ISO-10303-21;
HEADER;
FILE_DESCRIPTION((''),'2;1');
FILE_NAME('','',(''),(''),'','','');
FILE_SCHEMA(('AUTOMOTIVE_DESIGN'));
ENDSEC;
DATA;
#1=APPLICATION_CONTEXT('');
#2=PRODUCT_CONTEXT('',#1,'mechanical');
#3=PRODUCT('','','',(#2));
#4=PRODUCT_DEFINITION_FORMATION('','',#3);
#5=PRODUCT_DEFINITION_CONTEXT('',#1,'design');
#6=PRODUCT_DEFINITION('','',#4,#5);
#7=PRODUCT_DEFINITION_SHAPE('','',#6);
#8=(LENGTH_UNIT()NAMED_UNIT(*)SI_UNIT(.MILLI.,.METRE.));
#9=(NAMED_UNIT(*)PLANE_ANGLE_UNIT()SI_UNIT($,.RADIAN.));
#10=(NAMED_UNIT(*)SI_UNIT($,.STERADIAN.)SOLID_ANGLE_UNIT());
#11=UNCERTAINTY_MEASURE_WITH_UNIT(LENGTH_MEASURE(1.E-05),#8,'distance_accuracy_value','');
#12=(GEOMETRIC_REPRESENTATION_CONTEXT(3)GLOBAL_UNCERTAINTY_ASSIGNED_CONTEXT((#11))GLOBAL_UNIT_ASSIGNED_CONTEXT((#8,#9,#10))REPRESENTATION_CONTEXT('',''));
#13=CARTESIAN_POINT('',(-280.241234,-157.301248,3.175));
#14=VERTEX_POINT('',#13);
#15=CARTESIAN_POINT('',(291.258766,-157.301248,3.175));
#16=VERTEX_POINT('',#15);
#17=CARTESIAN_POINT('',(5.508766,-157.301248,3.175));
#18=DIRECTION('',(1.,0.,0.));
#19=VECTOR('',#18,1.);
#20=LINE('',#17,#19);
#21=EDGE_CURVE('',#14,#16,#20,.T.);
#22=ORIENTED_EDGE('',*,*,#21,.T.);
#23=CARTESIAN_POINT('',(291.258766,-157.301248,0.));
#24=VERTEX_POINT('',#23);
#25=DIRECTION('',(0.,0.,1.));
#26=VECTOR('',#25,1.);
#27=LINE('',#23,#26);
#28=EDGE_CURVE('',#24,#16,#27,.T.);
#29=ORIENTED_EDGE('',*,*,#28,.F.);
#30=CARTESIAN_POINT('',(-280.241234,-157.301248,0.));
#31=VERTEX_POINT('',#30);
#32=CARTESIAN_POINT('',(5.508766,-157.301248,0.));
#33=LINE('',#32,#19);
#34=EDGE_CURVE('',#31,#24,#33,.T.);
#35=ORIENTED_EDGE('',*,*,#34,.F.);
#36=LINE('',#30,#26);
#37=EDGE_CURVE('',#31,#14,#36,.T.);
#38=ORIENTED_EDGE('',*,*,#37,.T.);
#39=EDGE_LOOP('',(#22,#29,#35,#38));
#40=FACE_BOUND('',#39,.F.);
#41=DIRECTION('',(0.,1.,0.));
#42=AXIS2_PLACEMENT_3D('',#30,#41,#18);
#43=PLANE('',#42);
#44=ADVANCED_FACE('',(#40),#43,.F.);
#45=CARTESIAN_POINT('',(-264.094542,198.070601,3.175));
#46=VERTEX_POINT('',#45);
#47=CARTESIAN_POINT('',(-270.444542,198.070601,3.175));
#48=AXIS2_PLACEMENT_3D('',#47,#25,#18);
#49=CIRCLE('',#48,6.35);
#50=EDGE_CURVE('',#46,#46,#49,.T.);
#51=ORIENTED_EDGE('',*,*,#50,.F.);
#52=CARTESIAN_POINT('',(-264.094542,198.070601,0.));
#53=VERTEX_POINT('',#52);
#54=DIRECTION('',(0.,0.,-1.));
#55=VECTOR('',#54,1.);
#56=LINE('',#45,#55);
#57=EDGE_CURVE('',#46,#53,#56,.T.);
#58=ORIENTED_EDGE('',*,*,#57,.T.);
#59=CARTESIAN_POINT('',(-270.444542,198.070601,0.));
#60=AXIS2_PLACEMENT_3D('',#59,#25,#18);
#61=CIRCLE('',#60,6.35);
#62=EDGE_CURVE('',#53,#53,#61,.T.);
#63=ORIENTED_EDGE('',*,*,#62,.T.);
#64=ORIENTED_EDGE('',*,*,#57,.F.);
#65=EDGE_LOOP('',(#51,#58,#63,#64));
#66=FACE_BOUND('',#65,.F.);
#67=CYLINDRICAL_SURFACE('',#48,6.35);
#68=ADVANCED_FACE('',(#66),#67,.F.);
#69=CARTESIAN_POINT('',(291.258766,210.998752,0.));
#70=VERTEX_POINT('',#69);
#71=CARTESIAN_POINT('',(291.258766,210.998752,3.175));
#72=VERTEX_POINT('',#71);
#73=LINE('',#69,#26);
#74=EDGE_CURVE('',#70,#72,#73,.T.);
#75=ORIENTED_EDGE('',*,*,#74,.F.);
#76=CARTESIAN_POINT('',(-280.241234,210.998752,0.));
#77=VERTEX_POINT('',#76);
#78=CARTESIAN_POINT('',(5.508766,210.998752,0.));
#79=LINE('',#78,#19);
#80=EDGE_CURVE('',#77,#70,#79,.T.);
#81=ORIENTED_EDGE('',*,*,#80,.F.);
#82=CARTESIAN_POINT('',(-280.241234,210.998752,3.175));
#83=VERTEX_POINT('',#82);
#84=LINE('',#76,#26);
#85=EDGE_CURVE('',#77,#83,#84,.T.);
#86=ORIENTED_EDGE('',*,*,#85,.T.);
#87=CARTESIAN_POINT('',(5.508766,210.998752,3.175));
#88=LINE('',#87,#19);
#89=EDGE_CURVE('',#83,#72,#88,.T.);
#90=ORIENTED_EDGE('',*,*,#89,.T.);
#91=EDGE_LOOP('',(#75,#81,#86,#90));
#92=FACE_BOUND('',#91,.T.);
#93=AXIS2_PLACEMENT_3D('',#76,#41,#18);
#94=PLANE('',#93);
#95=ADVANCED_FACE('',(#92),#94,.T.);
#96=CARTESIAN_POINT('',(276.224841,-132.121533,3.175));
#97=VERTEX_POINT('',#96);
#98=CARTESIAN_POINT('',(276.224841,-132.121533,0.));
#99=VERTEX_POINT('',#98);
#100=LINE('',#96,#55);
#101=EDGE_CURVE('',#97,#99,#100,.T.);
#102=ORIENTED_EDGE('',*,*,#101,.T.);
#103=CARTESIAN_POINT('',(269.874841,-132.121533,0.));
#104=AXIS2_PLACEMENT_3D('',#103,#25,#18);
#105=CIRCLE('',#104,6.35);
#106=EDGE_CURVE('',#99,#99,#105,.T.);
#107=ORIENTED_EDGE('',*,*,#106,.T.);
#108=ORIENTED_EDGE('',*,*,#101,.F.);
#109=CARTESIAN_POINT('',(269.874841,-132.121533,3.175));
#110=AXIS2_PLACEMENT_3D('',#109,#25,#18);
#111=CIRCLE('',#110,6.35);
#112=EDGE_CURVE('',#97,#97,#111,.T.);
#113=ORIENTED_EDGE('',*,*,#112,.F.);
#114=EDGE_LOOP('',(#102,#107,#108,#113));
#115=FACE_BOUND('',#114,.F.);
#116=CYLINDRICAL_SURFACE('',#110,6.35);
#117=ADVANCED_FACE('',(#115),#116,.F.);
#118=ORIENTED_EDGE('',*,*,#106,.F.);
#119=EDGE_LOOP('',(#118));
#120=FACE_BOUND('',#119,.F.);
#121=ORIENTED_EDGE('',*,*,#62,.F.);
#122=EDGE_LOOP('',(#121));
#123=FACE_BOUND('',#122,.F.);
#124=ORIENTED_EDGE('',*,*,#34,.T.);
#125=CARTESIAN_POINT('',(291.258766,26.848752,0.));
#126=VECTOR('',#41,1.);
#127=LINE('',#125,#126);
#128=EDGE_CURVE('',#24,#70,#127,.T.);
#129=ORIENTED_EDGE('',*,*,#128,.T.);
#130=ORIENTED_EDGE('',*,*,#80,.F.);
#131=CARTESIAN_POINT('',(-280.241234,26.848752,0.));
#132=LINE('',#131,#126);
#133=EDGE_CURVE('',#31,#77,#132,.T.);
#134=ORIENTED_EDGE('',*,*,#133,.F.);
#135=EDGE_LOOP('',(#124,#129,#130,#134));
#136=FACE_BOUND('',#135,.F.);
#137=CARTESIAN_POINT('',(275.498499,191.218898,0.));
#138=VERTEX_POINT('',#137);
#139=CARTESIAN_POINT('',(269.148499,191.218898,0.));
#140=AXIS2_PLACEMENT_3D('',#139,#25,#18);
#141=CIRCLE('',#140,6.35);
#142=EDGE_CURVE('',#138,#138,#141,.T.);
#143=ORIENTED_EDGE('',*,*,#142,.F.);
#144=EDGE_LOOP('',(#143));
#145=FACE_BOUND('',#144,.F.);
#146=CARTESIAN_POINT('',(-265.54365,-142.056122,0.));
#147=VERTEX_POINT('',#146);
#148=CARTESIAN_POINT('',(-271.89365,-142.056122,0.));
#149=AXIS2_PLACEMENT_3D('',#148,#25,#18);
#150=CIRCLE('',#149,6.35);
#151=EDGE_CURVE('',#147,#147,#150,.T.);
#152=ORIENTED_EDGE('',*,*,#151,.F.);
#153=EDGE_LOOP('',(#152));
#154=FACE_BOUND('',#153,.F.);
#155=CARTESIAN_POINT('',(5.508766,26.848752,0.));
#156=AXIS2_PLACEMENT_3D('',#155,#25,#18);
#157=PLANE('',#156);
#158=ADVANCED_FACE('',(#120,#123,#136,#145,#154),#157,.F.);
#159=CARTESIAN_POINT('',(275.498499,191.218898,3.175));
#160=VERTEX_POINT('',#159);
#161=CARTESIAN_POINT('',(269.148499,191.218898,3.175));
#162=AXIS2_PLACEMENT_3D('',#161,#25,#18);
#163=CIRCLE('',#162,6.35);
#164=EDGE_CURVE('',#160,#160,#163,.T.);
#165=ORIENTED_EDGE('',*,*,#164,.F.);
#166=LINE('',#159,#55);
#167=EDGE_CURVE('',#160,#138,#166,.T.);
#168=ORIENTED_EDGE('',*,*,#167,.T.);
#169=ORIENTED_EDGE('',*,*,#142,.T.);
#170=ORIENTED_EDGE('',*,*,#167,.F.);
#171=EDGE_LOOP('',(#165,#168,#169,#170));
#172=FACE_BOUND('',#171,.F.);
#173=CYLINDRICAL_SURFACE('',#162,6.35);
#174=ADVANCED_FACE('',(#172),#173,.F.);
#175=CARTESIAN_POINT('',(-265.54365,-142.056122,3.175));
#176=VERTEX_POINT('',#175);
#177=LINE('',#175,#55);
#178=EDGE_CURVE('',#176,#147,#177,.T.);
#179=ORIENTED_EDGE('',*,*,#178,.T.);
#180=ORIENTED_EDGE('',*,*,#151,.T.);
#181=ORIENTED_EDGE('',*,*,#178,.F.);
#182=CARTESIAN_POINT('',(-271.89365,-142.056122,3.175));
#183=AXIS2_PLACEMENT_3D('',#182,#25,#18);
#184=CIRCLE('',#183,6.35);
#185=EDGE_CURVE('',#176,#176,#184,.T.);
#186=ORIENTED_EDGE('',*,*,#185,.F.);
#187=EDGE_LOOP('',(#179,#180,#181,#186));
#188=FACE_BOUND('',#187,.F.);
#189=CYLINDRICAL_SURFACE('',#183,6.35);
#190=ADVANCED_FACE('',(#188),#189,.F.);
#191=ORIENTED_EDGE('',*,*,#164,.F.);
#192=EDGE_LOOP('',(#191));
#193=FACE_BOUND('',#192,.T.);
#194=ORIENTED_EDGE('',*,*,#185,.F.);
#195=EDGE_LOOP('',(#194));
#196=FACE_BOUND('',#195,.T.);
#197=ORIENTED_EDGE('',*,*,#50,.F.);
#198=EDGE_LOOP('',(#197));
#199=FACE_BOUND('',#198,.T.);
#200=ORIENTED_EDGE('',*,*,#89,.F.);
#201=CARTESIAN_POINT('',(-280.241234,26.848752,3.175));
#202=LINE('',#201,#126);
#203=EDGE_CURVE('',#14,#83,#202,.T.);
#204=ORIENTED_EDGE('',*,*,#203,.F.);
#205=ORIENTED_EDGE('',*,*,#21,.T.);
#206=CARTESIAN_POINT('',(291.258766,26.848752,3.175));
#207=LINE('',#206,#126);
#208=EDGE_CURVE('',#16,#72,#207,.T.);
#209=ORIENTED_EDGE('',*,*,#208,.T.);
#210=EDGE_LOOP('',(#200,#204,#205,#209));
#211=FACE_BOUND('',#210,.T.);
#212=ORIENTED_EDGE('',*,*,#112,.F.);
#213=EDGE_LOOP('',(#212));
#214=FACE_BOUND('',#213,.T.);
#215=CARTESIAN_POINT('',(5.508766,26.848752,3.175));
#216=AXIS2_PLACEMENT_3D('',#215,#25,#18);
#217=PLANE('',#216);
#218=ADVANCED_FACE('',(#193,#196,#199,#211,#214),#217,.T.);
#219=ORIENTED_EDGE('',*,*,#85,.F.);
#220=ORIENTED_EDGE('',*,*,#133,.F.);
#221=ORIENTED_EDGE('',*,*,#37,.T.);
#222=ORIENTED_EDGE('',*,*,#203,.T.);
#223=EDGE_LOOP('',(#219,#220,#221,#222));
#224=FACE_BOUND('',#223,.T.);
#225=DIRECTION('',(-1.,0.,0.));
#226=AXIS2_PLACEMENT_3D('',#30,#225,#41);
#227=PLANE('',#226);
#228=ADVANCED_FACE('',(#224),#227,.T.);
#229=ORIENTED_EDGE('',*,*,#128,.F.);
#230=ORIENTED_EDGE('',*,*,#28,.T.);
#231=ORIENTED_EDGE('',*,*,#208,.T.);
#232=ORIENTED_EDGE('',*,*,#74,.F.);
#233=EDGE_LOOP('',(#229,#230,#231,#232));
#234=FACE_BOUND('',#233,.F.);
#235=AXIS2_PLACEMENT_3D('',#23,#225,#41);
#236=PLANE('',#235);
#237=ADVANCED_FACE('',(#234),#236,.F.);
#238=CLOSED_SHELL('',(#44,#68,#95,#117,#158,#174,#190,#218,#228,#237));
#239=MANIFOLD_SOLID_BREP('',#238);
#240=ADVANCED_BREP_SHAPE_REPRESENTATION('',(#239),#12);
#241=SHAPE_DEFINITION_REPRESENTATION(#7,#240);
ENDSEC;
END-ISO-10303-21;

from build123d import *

# Parameters (mm, degrees)
F0_W     = 571.5
F0_H     = 368.3
F1_DEPTH = 3.175
F2_R     = 6.35
F3_DEPTH = 25.4
F4_R     = 6.35
F5_DEPTH = 25.4
F6_R     = 6.35
F7_DEPTH = 25.4
F8_R     = 6.35
F9_DEPTH = 25.4


with BuildPart() as f1:
    # F0 (on Top) → F1 (new body)
    with BuildSketch(Plane.XY):
        with Locations((5.508766, 26.848752)):
            Rectangle(F0_W, F0_H)
    extrude(amount=F1_DEPTH)

    # F2 (on face) → F3 (cut)
    with BuildSketch(Plane.XY.offset(3.175)):
        with Locations((-271.89365, -142.056122)):
            Circle(F2_R)
    extrude(amount=-F3_DEPTH, mode=Mode.SUBTRACT)

    # F4 (on face) → F5 (cut)
    with BuildSketch(Plane.XY.offset(3.175)):
        with Locations((-270.444542, 198.070601)):
            Circle(F4_R)
    extrude(amount=-F5_DEPTH, mode=Mode.SUBTRACT)

    # F6 (on face) → F7 (cut)
    with BuildSketch(Plane.XY.offset(3.175)):
        with Locations((269.148499, 191.218898)):
            Circle(F6_R)
    extrude(amount=-F7_DEPTH, mode=Mode.SUBTRACT)

    # F8 (on face) → F9 (cut)
    with BuildSketch(Plane.XY.offset(3.175)):
        with Locations((269.874841, -132.121533)):
            Circle(F8_R)
    extrude(amount=-F9_DEPTH, mode=Mode.SUBTRACT)


solid = f1.part
